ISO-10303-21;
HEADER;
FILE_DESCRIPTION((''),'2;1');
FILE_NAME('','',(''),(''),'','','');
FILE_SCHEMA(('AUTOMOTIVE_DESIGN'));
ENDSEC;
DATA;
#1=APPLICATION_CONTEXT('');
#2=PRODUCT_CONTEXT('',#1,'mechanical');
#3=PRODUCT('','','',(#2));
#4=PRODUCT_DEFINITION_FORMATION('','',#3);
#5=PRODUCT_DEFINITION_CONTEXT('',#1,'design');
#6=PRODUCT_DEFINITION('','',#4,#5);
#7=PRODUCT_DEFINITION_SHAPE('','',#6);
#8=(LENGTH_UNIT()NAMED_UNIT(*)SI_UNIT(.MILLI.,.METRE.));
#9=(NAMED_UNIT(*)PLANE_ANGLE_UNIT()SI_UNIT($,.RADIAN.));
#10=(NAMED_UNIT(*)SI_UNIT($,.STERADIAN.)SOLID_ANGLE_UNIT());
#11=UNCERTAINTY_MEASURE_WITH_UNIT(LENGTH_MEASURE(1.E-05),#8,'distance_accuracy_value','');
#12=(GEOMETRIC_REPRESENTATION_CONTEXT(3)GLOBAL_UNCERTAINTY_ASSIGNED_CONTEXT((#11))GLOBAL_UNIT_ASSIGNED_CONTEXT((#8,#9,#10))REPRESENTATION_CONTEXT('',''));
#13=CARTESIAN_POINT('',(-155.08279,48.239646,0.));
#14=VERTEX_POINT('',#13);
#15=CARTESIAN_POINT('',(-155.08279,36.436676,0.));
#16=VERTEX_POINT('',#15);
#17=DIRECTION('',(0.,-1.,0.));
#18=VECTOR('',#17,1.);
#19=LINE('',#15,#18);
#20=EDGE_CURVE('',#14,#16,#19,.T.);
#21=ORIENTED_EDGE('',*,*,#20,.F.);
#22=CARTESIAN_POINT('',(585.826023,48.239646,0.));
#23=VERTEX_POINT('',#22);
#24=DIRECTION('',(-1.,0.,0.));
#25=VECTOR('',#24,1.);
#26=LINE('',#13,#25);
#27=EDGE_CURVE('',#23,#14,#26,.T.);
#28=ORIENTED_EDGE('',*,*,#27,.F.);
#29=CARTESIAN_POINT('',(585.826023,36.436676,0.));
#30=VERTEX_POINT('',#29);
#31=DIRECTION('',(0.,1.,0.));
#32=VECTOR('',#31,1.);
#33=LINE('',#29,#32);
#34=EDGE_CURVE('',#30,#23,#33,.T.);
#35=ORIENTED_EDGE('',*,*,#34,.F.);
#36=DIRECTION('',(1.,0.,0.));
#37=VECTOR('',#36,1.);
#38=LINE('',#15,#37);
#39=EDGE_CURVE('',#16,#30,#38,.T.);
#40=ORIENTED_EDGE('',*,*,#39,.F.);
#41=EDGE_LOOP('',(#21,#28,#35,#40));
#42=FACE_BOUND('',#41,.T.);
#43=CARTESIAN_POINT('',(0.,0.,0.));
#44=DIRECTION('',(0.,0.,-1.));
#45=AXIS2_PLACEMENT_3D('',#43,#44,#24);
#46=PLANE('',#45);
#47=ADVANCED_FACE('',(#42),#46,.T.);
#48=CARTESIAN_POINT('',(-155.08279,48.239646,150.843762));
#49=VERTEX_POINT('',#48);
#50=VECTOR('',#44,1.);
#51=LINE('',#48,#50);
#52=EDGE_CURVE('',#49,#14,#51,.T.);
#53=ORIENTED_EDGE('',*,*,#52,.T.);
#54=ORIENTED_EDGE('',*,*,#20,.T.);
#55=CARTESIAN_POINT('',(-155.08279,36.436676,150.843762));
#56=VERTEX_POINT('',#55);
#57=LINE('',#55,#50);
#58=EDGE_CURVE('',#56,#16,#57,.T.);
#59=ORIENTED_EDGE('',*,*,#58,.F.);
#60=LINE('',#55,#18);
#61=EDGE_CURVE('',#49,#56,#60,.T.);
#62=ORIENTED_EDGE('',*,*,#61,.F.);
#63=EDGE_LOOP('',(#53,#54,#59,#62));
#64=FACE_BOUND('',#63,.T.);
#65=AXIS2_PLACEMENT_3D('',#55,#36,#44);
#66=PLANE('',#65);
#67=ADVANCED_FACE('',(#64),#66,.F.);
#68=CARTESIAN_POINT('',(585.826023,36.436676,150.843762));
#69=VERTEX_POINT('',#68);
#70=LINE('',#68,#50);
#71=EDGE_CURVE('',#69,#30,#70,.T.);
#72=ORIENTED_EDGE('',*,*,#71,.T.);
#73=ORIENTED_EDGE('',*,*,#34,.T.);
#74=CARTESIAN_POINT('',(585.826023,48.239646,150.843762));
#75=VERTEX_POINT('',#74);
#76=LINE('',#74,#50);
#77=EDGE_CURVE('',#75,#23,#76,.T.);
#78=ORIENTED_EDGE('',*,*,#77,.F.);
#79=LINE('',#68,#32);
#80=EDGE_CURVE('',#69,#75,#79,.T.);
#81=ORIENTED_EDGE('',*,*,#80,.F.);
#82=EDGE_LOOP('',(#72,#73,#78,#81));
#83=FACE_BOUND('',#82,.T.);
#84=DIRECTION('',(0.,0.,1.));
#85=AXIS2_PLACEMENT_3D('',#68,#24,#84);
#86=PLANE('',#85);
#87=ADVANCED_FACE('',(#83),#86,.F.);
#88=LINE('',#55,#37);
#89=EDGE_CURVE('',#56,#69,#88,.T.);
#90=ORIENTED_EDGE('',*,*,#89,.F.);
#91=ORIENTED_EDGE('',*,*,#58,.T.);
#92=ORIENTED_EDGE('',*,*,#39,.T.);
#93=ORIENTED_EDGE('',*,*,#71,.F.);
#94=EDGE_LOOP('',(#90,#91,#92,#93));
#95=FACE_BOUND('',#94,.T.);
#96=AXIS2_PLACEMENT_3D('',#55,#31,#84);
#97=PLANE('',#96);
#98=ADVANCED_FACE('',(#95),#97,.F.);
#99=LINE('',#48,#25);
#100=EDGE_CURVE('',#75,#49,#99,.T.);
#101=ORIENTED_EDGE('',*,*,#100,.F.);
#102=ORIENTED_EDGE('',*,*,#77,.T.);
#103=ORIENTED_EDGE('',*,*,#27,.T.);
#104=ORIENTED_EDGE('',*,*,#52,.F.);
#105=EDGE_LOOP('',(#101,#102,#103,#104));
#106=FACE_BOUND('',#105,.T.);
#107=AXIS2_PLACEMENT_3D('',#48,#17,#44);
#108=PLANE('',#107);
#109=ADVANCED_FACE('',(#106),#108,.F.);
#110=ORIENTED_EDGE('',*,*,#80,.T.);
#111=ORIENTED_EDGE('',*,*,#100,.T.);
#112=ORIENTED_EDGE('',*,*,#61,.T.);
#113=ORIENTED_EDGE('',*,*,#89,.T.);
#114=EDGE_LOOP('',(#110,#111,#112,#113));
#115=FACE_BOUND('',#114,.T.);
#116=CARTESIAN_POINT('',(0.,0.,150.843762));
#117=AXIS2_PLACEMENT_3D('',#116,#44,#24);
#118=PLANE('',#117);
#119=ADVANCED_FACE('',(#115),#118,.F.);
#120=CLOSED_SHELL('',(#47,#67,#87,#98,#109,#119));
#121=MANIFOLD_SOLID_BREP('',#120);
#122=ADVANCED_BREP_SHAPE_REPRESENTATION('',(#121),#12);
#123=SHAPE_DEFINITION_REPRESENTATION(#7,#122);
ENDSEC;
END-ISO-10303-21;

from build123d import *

# Parameters (mm, degrees)
SKETCH_1_W      = 740.908813226
SKETCH_1_H      = 11.802970169
EXTRUDE_1_DEPTH = 150.843762498


with BuildPart() as part:
    # Эскиз1 → Бобышка-Вытянуть1 (new body)
    with BuildSketch(Plane.XY):
        with Locations((215.371616211, 42.338160755)):
            Rectangle(SKETCH_1_W, SKETCH_1_H)
    extrude(amount=EXTRUDE_1_DEPTH)


solid = part.part
